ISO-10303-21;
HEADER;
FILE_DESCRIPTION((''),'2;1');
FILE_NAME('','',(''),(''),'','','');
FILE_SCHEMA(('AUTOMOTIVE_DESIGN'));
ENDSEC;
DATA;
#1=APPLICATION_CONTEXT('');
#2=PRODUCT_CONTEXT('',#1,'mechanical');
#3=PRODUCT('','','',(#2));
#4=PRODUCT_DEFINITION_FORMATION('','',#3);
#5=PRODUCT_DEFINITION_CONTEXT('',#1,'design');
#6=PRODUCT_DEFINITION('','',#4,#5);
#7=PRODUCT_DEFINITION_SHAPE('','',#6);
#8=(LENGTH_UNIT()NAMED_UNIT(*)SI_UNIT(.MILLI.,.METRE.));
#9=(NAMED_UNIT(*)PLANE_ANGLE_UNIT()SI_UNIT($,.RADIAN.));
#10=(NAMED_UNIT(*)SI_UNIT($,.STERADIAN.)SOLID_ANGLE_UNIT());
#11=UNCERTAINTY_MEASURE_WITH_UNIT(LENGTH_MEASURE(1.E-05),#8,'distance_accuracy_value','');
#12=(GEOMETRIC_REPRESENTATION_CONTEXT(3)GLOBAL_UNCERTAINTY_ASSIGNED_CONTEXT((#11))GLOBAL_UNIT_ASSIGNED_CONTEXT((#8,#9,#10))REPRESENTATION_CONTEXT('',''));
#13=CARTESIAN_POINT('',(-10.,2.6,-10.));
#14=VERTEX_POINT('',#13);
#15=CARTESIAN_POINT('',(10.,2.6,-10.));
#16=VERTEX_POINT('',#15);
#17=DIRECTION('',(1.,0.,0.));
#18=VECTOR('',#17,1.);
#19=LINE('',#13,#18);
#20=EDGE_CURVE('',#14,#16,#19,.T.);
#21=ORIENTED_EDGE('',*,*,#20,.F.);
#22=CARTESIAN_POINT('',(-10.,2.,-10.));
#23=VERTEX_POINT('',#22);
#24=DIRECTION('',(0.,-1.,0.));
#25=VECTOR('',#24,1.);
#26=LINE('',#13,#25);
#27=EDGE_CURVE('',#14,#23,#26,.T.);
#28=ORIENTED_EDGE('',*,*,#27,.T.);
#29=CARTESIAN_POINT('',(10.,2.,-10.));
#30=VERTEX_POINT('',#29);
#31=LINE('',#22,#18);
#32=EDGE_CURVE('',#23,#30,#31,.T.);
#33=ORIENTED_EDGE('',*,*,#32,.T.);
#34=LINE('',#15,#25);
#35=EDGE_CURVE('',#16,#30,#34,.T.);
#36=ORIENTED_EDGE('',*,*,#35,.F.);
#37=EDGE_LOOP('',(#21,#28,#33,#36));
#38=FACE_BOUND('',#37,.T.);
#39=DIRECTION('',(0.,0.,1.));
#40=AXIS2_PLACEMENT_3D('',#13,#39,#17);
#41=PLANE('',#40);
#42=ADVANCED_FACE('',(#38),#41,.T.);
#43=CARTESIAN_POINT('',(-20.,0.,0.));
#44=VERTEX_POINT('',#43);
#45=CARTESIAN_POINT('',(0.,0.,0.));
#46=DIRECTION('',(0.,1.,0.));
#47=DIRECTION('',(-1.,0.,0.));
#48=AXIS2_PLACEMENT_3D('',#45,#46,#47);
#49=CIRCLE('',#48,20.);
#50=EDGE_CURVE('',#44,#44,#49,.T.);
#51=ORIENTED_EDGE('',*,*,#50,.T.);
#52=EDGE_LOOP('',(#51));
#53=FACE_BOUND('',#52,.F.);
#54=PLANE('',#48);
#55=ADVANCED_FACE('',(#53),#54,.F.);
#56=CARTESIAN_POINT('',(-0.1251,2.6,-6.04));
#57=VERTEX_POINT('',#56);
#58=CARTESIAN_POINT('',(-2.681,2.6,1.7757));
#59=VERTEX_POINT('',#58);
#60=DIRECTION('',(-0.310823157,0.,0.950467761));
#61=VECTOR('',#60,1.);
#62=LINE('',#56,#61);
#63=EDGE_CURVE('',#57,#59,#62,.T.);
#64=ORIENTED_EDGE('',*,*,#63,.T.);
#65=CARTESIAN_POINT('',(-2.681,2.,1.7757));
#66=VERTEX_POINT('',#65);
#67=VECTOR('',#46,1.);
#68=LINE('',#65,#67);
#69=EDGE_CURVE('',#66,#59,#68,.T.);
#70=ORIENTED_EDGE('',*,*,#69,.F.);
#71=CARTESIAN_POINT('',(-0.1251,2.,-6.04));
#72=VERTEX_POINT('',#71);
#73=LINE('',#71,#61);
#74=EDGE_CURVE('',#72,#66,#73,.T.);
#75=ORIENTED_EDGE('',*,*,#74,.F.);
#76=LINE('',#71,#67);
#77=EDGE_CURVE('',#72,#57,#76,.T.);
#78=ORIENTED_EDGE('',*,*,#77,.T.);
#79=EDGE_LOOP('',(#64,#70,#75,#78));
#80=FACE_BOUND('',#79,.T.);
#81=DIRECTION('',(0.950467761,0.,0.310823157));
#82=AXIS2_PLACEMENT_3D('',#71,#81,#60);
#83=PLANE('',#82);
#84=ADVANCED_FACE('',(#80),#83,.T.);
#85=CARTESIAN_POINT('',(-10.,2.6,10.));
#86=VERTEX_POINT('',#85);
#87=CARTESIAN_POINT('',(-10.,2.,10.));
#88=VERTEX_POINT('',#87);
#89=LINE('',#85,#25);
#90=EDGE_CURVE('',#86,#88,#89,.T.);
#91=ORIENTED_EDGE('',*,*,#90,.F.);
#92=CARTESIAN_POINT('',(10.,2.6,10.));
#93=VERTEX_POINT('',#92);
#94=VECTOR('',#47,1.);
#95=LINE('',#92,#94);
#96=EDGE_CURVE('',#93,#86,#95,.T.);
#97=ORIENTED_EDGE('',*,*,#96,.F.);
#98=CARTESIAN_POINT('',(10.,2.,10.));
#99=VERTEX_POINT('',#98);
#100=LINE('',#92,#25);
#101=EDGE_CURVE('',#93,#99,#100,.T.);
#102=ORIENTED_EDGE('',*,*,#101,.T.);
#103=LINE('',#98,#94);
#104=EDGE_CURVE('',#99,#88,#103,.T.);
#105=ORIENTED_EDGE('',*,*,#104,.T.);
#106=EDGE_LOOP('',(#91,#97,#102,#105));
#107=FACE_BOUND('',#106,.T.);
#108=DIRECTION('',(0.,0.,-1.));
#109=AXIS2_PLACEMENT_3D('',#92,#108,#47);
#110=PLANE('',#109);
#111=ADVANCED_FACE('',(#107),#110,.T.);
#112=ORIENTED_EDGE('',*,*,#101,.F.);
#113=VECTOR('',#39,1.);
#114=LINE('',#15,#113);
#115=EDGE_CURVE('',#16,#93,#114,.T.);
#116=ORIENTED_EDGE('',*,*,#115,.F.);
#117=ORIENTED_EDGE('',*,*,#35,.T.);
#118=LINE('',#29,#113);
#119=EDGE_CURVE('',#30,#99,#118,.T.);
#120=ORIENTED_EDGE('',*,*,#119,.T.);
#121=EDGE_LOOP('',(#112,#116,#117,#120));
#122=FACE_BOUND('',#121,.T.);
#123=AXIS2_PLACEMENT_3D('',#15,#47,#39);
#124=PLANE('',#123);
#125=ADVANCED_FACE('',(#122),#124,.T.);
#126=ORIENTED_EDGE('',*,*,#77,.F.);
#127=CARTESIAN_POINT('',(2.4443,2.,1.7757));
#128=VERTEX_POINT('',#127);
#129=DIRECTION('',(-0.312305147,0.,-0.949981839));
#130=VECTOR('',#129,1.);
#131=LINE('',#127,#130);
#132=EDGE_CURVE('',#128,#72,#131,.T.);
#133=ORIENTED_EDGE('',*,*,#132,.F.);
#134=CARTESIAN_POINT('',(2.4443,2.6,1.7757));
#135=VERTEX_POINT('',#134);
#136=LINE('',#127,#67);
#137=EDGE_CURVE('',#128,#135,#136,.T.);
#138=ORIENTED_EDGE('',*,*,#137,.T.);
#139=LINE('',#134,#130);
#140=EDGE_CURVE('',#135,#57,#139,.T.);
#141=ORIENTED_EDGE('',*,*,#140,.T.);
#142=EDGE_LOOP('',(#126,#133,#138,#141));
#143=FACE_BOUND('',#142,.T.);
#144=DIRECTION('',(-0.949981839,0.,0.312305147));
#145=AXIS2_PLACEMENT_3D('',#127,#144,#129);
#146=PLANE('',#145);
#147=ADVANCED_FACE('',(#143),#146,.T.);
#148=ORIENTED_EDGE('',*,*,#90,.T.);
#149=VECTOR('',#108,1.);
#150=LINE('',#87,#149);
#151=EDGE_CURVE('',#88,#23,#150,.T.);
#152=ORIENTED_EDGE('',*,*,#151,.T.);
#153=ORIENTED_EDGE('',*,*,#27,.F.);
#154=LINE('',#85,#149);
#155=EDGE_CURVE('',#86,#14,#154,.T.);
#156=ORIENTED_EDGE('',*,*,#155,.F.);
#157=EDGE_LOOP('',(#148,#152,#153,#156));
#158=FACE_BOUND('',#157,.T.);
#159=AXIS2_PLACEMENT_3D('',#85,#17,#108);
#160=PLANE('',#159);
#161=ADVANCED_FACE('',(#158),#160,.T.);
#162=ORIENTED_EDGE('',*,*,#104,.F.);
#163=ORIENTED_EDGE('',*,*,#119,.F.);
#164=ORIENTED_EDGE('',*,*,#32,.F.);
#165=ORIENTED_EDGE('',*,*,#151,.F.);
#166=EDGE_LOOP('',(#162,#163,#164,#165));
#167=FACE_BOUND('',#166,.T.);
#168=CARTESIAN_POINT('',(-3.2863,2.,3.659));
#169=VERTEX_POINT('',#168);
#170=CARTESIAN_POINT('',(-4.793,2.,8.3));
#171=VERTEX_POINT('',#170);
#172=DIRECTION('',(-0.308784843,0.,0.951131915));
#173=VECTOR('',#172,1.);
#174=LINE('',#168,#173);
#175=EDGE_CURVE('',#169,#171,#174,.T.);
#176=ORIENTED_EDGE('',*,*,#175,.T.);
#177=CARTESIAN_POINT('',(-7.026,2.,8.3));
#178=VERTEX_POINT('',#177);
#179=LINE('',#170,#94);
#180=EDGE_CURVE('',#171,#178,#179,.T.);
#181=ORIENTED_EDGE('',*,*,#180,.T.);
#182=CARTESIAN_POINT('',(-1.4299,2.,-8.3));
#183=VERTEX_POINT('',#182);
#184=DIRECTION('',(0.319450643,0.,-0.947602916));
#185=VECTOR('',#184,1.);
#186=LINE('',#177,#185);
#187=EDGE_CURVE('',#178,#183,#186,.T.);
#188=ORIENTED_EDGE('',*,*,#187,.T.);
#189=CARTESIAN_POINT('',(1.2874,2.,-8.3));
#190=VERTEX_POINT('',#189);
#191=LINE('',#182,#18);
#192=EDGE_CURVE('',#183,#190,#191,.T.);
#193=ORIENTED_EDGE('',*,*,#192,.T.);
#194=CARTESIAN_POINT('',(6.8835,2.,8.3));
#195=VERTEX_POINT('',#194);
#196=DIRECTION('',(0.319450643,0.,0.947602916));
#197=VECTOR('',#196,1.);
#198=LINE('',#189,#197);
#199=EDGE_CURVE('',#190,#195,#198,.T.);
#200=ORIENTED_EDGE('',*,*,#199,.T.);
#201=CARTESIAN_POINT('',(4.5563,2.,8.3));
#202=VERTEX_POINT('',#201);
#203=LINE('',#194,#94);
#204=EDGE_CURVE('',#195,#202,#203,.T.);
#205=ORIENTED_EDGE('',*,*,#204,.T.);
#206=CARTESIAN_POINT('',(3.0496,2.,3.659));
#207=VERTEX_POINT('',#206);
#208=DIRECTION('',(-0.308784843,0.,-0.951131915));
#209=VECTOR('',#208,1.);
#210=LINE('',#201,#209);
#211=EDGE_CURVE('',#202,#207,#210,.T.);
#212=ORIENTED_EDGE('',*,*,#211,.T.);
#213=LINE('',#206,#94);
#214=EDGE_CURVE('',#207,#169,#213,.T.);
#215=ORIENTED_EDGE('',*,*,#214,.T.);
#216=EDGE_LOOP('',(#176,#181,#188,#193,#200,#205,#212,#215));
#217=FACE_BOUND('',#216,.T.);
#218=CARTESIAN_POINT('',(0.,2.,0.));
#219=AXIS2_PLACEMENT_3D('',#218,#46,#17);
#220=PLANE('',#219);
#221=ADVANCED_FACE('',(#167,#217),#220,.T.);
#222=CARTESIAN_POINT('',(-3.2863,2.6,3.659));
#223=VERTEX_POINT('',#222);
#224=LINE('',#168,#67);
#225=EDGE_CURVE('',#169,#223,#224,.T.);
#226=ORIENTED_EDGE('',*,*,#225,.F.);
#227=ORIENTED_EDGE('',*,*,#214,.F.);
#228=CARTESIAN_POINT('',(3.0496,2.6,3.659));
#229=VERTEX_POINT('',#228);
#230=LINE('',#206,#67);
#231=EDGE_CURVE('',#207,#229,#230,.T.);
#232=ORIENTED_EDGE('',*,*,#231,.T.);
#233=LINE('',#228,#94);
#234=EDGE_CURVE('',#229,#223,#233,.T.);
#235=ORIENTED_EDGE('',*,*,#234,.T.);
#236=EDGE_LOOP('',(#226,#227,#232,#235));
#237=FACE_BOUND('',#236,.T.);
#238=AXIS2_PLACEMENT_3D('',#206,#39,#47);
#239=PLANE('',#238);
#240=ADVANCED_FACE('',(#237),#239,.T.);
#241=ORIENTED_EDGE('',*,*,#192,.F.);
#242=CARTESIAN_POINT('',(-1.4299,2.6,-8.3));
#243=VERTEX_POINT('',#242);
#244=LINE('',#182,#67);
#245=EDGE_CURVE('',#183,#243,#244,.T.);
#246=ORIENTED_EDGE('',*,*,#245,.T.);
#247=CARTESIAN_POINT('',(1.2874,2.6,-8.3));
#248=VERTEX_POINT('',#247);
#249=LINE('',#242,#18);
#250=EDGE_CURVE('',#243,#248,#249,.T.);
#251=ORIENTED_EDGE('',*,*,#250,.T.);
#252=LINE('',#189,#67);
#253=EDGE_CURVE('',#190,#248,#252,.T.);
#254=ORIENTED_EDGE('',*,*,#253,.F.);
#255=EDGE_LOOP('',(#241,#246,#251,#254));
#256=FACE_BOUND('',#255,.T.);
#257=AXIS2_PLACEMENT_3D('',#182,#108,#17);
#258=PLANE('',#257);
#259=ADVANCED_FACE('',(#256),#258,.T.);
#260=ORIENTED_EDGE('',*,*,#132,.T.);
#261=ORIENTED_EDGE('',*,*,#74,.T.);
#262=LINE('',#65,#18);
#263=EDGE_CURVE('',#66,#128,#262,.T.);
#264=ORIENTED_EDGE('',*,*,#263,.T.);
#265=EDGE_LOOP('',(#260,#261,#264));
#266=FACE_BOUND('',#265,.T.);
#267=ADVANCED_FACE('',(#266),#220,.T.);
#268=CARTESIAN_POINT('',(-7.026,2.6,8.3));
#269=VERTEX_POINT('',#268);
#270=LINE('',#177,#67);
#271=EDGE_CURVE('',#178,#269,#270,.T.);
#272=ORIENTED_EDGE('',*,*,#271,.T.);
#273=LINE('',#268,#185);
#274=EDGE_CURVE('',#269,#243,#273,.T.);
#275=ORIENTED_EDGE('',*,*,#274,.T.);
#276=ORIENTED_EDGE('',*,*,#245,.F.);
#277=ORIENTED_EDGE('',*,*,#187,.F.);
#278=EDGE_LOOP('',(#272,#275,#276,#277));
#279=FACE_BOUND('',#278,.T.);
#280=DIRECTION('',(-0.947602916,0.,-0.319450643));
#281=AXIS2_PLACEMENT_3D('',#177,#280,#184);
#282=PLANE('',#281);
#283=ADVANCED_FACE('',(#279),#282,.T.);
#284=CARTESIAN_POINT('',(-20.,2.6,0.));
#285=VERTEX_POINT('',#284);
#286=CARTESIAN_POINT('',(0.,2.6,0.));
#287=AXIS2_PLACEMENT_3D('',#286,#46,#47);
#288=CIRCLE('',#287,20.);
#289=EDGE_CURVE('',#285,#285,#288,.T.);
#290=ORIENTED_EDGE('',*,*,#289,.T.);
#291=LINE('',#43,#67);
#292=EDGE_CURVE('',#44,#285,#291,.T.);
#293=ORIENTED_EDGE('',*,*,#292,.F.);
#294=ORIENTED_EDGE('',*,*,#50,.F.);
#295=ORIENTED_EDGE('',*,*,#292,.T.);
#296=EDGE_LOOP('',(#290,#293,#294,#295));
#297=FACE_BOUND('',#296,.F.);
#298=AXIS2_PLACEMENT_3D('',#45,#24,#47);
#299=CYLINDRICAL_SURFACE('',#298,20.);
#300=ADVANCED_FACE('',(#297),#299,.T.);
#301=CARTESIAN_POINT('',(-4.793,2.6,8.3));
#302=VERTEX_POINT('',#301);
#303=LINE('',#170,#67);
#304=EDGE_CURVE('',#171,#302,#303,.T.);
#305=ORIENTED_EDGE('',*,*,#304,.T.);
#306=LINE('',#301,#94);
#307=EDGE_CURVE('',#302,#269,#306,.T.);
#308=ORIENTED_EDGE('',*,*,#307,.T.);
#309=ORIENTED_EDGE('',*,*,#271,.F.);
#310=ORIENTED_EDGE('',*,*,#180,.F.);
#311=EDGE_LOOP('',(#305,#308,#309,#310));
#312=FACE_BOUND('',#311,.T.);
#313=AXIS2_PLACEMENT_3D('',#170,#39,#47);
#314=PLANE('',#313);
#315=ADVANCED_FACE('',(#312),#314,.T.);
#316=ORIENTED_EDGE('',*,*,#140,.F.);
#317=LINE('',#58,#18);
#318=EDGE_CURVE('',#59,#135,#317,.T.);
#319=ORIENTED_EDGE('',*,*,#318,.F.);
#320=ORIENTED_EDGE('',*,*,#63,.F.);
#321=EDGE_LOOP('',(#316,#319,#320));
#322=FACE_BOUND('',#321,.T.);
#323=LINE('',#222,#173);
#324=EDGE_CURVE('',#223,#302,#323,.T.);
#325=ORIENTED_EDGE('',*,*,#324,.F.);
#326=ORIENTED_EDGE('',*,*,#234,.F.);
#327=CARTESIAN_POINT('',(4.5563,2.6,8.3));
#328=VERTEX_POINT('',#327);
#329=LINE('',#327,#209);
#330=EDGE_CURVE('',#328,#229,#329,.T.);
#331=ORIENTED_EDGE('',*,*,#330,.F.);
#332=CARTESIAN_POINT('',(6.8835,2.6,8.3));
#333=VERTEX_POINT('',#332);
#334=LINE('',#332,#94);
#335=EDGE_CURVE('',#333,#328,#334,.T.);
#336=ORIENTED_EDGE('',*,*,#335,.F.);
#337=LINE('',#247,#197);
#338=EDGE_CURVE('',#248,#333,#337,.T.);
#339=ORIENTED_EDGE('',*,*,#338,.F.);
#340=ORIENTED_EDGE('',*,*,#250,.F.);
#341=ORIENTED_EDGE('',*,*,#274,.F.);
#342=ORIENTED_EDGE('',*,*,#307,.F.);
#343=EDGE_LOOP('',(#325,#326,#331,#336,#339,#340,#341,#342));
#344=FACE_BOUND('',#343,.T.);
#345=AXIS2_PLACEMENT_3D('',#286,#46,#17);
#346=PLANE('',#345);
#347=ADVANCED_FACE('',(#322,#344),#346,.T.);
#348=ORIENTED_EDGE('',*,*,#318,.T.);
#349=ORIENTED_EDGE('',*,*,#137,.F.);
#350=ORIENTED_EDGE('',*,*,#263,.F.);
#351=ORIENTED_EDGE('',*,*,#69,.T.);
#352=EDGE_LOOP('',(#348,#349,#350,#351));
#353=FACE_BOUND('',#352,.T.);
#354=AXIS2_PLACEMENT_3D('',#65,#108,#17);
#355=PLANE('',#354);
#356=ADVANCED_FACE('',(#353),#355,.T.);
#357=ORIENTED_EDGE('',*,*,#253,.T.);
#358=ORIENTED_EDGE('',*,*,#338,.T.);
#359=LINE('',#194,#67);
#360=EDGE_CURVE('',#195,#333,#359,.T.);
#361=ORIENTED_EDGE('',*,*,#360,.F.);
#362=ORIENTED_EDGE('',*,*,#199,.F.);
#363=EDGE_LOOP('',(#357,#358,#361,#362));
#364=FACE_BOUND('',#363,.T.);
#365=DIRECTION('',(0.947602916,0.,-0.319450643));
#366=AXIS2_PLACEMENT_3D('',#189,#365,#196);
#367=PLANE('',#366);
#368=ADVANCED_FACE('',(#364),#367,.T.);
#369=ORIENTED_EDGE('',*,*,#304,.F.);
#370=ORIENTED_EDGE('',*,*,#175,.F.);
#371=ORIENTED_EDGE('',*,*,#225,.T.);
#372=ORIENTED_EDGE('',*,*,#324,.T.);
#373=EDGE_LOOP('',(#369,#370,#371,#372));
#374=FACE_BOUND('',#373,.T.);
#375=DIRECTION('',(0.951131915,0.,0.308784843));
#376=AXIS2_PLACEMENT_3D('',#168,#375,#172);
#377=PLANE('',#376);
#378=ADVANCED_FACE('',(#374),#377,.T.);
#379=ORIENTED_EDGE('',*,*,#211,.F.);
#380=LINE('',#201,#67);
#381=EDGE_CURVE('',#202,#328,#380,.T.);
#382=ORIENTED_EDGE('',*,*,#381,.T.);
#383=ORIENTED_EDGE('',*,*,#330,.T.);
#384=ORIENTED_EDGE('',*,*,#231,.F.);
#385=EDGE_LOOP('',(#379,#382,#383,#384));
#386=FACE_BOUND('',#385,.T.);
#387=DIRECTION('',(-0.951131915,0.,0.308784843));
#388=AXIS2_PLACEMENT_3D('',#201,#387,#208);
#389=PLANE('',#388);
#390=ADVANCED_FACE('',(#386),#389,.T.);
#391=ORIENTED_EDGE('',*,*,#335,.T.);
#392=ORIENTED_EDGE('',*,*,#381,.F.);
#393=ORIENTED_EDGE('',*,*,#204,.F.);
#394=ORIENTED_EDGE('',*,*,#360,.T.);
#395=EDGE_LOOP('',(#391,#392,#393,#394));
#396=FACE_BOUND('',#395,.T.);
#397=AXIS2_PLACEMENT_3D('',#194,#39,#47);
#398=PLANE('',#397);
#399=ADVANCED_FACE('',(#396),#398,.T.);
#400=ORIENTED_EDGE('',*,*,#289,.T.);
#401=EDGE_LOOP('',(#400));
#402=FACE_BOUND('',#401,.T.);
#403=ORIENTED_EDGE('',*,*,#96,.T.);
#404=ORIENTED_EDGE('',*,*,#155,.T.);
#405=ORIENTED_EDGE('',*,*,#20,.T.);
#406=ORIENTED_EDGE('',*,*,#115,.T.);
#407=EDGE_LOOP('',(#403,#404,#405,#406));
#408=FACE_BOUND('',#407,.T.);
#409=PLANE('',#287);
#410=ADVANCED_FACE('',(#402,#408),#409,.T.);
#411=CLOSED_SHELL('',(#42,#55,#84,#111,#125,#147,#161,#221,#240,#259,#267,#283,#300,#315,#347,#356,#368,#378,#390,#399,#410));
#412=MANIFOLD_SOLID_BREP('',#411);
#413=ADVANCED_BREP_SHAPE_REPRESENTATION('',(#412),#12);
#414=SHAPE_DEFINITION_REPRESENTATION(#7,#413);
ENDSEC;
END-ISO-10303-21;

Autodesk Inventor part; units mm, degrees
ref_plane "YZ Plane" through (0, 0, 0) normal (1, 0, 0) x (0, 1, 0)
ref_plane "XZ Plane" through (0, 0, 0) normal (0, 1, 0) x (-1, 0, 0)
ref_plane "XY Plane" through (0, 0, 0) normal (0, 0, 1) x (1, 0, 0)
sketch "Sketch1" plane through (0, 0, 0) normal (0, 1, 0) x (-1, 0, 0)
  circle A0 centre (0, 0) radius 20
  dimension "d0" = 40
extrude "Extrusion1" add sketch "Sketch1" along normal blind 2.6
sketch "Sketch2" plane through (0, 2.6, 0) normal (0, 1, 0) x (1, 0, 0)
  line L0 (-10, -10) -> (-10, 10)
  line L1 (-10, 10) -> (10, 10)
  line L2 (10, 10) -> (10, -10)
  line L3 (10, -10) -> (-10, -10)
  line L4 (-10, -10) -> (10, 10) construction
  line L5 (-10, 10) -> (10, -10) construction
  point P0 (0, 0)
  dimension "d3" = 20
  dimension "d4" = 20
extrude "Extrusion2" cut sketch "Sketch2" against normal blind 0.6
sketch "Sketch3" plane through (0, 2, 0) normal (0, 1, 0) x (1, 0, 0)
  line L0 (-6.9184, 8.3) -> (6.9911, 8.3) construction
  line L1 (6.9911, 8.3) -> (6.9911, -8.3) construction
  line L2 (6.9911, -8.3) -> (-6.9184, -8.3) construction
  line L3 (-6.9184, -8.3) -> (-6.9184, 8.3) construction
  line L4 (-7.026, -8.3) -> (-1.4299, 8.3)
  line L5 (-1.4299, 8.3) -> (1.2874, 8.3)
  line L6 (1.2874, 8.3) -> (6.8835, -8.3)
  line L7 (6.8835, -8.3) -> (4.5563, -8.3)
  line L8 (4.5563, -8.3) -> (3.0496, -3.659)
  line L9 (3.0496, -3.659) -> (-3.2863, -3.659)
  line L10 (-3.2863, -3.659) -> (-4.793, -8.3)
  line L11 (-4.793, -8.3) -> (-7.026, -8.3)
  line L12 (2.4443, -1.7757) -> (-0.1251, 6.04)
  line L13 (-0.1251, 6.04) -> (-2.681, -1.7757)
  line L14 (-2.681, -1.7757) -> (2.4443, -1.7757)
  point P0 (0, 0)
extrude "Extrusion3" add sketch "Sketch3" along normal blind 0.6
properties part number "TopMarkerPreset"
